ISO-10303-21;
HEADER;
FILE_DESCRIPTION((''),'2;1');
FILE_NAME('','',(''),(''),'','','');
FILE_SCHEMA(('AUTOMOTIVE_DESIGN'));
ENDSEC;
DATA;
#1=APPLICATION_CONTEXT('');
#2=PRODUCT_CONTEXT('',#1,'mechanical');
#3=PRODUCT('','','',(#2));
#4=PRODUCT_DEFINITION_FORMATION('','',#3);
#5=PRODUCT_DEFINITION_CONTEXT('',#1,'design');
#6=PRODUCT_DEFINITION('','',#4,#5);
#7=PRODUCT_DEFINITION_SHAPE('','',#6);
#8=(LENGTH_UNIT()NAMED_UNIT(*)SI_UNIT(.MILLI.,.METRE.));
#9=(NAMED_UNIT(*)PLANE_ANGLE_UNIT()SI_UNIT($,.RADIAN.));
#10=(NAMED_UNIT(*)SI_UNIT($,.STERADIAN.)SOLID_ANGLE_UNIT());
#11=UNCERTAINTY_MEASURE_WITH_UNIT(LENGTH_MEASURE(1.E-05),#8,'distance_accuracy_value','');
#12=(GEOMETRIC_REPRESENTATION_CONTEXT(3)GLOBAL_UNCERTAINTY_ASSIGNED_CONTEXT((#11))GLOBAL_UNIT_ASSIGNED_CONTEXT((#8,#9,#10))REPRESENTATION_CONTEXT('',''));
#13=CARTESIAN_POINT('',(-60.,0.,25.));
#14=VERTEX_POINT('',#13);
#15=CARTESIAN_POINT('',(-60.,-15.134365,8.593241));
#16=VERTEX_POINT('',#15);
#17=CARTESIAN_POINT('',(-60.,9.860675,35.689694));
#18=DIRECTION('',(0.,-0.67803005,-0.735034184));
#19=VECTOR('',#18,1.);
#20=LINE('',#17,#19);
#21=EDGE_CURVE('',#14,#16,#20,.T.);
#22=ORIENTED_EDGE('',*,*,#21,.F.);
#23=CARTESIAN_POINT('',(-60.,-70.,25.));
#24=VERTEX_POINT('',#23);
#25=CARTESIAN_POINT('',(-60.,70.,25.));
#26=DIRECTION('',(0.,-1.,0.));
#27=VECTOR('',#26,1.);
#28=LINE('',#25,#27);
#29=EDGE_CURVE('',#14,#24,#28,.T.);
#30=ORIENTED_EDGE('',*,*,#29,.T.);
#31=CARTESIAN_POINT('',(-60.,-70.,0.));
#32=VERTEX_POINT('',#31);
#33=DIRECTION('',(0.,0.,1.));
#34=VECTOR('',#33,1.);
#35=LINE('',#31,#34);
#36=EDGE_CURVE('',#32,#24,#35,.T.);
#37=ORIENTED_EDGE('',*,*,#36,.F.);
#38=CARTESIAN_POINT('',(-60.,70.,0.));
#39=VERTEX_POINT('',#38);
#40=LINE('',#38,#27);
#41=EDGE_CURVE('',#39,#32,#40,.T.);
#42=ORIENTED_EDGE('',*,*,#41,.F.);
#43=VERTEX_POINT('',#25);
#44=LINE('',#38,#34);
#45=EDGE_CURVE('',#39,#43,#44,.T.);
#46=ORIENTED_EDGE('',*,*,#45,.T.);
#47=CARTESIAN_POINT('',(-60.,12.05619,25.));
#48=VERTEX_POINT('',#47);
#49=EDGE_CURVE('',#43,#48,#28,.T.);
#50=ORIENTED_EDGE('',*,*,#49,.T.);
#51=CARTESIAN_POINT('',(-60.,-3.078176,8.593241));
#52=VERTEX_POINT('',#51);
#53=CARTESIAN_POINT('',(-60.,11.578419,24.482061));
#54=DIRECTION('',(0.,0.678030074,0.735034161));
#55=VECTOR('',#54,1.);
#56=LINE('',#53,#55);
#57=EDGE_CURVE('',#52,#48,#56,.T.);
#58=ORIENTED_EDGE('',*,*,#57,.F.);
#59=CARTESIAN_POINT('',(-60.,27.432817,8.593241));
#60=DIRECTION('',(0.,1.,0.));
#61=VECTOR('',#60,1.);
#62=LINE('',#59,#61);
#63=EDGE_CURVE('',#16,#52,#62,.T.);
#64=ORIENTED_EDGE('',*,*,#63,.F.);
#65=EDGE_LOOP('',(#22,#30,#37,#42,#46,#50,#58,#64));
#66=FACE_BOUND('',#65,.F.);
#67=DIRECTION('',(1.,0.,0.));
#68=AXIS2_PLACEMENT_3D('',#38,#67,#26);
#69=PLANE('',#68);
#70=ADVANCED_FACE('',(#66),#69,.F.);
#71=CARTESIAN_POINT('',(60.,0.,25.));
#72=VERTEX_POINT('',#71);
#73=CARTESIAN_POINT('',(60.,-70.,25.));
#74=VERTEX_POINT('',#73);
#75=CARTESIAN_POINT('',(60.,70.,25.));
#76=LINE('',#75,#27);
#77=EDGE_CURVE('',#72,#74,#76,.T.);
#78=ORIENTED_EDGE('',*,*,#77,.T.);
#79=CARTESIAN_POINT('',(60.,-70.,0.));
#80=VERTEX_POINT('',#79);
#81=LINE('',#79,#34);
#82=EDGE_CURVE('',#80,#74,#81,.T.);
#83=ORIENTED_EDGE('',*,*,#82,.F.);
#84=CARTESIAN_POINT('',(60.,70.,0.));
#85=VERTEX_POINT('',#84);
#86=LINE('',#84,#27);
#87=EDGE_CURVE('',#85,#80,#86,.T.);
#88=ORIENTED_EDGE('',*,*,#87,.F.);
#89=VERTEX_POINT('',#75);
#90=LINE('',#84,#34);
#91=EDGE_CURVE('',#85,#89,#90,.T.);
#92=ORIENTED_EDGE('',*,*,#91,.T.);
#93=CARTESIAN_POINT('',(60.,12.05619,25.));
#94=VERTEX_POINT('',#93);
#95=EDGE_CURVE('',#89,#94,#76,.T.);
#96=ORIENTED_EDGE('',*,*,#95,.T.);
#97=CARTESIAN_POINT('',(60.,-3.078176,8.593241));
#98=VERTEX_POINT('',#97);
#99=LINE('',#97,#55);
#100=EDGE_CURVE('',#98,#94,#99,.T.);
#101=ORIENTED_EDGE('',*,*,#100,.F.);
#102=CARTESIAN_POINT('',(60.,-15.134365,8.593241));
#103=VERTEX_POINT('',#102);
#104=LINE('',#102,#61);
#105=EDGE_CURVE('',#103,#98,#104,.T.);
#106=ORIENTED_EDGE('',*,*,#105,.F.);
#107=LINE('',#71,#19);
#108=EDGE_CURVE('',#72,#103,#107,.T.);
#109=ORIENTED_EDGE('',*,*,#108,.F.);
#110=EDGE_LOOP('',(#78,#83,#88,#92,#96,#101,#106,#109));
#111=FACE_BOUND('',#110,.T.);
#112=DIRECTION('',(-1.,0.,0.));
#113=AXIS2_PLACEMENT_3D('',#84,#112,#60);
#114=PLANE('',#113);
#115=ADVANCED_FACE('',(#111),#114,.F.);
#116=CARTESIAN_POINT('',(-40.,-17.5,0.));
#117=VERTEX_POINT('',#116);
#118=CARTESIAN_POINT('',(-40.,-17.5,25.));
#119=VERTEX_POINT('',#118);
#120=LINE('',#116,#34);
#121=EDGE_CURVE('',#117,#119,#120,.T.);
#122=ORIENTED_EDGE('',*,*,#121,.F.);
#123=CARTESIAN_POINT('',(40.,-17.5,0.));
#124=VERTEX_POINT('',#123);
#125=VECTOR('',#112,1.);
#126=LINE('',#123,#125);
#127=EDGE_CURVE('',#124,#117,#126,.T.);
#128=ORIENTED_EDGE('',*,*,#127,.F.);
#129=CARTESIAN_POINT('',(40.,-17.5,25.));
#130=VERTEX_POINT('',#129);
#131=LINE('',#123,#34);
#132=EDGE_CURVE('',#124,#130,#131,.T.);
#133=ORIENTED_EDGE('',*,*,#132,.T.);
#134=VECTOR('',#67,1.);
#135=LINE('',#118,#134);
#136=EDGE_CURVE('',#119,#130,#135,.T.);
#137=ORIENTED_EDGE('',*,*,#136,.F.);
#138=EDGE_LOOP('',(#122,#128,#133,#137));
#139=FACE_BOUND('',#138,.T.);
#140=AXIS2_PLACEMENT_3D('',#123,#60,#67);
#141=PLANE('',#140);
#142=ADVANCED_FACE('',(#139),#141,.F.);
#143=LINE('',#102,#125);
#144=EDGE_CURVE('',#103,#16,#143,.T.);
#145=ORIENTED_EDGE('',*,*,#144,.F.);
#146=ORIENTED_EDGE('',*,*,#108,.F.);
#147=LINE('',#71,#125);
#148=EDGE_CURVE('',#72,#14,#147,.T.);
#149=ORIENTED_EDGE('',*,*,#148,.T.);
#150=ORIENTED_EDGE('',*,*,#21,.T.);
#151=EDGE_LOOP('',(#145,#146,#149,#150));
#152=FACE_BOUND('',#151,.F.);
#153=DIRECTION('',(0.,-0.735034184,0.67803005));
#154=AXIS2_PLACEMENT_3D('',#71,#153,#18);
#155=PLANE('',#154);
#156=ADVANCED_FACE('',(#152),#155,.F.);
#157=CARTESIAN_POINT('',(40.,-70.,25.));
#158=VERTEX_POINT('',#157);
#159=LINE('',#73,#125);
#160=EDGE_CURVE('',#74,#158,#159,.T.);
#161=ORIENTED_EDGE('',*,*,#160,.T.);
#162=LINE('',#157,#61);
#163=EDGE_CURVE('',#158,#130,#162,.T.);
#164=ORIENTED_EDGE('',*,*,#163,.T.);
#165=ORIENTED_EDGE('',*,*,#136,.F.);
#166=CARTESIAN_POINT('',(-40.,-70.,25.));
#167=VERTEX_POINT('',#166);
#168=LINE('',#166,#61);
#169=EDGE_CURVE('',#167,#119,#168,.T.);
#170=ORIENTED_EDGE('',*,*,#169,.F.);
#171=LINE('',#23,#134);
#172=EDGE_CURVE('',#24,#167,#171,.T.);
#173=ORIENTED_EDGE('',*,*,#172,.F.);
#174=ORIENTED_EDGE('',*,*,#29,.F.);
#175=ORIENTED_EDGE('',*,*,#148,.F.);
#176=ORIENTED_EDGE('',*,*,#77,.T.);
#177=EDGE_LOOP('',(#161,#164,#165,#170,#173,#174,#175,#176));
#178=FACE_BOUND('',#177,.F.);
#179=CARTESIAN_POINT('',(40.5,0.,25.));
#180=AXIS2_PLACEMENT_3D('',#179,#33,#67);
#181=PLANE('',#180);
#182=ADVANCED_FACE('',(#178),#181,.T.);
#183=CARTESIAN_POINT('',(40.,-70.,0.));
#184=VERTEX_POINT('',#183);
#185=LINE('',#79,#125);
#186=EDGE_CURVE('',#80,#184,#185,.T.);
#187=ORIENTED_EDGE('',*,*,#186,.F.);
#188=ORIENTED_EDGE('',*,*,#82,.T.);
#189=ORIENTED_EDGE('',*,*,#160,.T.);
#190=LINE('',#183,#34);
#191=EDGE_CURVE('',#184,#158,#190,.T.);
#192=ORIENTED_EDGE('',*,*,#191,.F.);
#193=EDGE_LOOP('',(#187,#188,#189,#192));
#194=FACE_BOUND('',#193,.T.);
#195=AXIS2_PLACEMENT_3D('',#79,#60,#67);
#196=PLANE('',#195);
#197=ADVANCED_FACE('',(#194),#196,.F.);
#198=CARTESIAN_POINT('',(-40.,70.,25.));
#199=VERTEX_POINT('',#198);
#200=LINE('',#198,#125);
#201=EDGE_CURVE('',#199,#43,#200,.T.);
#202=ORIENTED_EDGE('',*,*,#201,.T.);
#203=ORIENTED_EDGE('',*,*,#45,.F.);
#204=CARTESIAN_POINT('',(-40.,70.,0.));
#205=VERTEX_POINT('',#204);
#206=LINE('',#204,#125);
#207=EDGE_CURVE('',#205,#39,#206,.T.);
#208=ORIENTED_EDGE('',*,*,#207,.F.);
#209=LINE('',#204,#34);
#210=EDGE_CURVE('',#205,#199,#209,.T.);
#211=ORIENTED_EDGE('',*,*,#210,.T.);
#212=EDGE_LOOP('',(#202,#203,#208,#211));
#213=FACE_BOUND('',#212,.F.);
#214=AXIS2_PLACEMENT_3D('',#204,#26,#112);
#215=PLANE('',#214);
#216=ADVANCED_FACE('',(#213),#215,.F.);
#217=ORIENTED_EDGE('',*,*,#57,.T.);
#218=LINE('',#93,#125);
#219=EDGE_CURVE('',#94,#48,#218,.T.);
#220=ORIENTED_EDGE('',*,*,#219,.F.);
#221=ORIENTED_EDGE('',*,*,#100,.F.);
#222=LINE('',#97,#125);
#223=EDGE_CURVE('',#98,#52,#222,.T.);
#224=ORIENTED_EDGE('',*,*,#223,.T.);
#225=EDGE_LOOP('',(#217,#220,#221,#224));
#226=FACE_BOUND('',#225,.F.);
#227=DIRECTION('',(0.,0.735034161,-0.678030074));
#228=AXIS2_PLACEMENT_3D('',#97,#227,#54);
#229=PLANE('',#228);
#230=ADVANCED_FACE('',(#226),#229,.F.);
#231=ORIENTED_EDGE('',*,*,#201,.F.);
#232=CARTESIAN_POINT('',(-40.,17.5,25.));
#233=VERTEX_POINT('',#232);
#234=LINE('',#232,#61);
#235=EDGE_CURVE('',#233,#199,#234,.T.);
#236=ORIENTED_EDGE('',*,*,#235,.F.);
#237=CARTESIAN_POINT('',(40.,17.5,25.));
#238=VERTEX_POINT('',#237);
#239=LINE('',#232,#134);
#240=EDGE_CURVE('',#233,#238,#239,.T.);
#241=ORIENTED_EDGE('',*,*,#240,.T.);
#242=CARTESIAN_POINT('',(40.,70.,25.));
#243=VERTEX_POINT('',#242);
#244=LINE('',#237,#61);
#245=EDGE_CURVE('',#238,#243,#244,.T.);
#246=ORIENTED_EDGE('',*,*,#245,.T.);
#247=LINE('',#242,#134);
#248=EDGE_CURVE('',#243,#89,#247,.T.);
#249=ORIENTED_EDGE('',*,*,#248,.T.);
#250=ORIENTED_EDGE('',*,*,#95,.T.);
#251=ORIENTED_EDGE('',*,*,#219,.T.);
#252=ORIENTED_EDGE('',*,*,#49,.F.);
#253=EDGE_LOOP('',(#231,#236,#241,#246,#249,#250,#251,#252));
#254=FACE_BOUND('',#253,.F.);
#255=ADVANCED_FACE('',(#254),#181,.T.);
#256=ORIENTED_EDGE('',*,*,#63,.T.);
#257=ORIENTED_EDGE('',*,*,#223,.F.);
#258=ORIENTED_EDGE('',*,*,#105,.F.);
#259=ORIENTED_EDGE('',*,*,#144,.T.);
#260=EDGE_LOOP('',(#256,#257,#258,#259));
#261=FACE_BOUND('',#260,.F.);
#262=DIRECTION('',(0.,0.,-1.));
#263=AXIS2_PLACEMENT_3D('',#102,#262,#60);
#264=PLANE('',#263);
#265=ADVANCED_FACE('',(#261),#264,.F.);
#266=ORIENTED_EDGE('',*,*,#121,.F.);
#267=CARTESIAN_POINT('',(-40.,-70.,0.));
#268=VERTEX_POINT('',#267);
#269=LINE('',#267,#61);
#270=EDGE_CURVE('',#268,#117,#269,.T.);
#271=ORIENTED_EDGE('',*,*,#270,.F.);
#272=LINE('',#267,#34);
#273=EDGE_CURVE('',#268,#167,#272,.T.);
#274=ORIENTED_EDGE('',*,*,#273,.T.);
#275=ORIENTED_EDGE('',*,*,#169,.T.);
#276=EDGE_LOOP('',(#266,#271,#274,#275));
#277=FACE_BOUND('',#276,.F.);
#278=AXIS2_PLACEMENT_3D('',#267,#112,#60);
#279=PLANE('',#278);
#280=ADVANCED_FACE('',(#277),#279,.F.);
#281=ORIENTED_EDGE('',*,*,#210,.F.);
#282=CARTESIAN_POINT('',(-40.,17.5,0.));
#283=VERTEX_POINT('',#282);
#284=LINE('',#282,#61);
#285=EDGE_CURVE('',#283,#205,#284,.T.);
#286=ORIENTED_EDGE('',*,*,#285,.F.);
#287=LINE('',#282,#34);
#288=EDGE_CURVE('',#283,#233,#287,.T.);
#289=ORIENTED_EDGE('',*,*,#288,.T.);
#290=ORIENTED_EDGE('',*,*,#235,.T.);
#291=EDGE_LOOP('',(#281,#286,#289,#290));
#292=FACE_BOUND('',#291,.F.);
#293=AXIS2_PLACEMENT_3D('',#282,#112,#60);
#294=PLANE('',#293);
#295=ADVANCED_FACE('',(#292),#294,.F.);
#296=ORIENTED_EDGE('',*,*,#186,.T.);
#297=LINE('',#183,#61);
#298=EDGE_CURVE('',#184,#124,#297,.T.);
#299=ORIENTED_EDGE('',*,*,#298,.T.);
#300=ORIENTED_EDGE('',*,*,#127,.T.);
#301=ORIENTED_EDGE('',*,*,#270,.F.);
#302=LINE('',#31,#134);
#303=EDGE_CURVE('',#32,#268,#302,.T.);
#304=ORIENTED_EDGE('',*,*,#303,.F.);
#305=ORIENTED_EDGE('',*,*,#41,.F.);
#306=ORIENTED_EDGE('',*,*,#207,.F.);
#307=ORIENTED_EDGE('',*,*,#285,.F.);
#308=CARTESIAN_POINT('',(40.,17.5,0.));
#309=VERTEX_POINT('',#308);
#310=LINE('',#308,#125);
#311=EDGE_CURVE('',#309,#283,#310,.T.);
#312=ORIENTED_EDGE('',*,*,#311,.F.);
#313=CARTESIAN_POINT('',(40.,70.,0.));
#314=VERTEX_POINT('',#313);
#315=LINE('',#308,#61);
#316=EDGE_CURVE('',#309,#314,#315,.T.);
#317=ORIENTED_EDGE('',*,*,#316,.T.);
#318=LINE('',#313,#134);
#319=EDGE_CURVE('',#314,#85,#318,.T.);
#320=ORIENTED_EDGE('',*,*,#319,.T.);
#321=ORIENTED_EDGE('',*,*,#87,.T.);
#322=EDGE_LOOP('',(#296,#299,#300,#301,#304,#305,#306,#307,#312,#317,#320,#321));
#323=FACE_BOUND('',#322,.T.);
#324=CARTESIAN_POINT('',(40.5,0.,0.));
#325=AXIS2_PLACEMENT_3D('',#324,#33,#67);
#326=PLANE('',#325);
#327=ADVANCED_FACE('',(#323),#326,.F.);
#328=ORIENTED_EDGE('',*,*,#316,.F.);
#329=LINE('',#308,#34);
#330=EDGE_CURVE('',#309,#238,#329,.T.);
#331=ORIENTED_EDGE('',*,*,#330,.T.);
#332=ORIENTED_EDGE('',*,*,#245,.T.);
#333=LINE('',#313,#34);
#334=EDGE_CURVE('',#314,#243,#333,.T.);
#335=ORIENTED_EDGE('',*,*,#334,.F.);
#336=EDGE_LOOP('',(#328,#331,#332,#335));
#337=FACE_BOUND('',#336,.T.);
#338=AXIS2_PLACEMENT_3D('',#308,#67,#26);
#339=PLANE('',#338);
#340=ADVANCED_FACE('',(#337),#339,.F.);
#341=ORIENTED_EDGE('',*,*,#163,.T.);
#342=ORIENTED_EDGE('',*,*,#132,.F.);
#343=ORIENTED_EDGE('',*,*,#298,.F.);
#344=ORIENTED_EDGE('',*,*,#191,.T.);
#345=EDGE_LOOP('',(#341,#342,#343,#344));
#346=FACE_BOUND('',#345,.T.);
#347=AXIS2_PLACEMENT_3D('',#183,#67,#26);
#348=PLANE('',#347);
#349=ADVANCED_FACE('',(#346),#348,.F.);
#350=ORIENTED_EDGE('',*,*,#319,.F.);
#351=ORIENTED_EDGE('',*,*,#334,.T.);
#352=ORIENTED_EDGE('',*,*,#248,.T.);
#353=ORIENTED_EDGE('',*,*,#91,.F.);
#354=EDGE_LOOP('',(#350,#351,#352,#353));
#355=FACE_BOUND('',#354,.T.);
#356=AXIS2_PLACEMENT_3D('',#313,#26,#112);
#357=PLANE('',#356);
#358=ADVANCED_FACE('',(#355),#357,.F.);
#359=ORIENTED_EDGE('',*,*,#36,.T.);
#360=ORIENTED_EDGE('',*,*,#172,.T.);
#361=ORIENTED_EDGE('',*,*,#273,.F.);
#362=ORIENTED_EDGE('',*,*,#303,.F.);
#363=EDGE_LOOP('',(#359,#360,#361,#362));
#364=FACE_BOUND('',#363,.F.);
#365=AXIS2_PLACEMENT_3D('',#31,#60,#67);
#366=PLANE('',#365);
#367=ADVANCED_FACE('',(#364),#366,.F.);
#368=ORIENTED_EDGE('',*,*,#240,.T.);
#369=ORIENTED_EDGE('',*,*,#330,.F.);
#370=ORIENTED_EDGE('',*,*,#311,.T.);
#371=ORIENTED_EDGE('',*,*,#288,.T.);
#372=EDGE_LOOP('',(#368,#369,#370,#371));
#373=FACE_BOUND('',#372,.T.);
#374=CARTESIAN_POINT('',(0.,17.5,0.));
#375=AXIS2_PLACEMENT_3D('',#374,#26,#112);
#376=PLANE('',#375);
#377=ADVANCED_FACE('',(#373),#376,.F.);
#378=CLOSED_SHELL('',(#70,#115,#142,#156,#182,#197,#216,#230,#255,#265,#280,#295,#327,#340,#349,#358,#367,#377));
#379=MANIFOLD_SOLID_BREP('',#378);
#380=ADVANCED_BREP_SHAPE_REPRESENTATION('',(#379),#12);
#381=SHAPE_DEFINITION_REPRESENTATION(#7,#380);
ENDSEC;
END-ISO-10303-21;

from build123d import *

# Parameters (mm, degrees)
F1_DEPTH = 25
F4_DEPTH = 166.4


with BuildPart() as f1:
    # F0 (on Top) → F1 (new body)
    with BuildSketch(Plane.XY):
        Polygon((-40, 17.5), (-40, 70), (-60, 70), (-60, -70), (-40, -70), (-40, -17.5), (0, -17.5), (0, 4.859984), (0, 17.5), align=None)
    extrude(amount=F1_DEPTH)

    # F2: F1 across plane


with BuildPart() as f1_1:
    add(f1.part)
    add(f1.part.mirror(Plane.YZ))

    # F3 (on face) → F4 (cut)
    with BuildSketch(Plane.YZ.offset(60)):
        Polygon((12.05619, 25), (0, 25), (-15.134365, 8.593241), (-3.078176, 8.593241), align=None)
    extrude(amount=-F4_DEPTH, mode=Mode.SUBTRACT)


solid = f1_1.part
